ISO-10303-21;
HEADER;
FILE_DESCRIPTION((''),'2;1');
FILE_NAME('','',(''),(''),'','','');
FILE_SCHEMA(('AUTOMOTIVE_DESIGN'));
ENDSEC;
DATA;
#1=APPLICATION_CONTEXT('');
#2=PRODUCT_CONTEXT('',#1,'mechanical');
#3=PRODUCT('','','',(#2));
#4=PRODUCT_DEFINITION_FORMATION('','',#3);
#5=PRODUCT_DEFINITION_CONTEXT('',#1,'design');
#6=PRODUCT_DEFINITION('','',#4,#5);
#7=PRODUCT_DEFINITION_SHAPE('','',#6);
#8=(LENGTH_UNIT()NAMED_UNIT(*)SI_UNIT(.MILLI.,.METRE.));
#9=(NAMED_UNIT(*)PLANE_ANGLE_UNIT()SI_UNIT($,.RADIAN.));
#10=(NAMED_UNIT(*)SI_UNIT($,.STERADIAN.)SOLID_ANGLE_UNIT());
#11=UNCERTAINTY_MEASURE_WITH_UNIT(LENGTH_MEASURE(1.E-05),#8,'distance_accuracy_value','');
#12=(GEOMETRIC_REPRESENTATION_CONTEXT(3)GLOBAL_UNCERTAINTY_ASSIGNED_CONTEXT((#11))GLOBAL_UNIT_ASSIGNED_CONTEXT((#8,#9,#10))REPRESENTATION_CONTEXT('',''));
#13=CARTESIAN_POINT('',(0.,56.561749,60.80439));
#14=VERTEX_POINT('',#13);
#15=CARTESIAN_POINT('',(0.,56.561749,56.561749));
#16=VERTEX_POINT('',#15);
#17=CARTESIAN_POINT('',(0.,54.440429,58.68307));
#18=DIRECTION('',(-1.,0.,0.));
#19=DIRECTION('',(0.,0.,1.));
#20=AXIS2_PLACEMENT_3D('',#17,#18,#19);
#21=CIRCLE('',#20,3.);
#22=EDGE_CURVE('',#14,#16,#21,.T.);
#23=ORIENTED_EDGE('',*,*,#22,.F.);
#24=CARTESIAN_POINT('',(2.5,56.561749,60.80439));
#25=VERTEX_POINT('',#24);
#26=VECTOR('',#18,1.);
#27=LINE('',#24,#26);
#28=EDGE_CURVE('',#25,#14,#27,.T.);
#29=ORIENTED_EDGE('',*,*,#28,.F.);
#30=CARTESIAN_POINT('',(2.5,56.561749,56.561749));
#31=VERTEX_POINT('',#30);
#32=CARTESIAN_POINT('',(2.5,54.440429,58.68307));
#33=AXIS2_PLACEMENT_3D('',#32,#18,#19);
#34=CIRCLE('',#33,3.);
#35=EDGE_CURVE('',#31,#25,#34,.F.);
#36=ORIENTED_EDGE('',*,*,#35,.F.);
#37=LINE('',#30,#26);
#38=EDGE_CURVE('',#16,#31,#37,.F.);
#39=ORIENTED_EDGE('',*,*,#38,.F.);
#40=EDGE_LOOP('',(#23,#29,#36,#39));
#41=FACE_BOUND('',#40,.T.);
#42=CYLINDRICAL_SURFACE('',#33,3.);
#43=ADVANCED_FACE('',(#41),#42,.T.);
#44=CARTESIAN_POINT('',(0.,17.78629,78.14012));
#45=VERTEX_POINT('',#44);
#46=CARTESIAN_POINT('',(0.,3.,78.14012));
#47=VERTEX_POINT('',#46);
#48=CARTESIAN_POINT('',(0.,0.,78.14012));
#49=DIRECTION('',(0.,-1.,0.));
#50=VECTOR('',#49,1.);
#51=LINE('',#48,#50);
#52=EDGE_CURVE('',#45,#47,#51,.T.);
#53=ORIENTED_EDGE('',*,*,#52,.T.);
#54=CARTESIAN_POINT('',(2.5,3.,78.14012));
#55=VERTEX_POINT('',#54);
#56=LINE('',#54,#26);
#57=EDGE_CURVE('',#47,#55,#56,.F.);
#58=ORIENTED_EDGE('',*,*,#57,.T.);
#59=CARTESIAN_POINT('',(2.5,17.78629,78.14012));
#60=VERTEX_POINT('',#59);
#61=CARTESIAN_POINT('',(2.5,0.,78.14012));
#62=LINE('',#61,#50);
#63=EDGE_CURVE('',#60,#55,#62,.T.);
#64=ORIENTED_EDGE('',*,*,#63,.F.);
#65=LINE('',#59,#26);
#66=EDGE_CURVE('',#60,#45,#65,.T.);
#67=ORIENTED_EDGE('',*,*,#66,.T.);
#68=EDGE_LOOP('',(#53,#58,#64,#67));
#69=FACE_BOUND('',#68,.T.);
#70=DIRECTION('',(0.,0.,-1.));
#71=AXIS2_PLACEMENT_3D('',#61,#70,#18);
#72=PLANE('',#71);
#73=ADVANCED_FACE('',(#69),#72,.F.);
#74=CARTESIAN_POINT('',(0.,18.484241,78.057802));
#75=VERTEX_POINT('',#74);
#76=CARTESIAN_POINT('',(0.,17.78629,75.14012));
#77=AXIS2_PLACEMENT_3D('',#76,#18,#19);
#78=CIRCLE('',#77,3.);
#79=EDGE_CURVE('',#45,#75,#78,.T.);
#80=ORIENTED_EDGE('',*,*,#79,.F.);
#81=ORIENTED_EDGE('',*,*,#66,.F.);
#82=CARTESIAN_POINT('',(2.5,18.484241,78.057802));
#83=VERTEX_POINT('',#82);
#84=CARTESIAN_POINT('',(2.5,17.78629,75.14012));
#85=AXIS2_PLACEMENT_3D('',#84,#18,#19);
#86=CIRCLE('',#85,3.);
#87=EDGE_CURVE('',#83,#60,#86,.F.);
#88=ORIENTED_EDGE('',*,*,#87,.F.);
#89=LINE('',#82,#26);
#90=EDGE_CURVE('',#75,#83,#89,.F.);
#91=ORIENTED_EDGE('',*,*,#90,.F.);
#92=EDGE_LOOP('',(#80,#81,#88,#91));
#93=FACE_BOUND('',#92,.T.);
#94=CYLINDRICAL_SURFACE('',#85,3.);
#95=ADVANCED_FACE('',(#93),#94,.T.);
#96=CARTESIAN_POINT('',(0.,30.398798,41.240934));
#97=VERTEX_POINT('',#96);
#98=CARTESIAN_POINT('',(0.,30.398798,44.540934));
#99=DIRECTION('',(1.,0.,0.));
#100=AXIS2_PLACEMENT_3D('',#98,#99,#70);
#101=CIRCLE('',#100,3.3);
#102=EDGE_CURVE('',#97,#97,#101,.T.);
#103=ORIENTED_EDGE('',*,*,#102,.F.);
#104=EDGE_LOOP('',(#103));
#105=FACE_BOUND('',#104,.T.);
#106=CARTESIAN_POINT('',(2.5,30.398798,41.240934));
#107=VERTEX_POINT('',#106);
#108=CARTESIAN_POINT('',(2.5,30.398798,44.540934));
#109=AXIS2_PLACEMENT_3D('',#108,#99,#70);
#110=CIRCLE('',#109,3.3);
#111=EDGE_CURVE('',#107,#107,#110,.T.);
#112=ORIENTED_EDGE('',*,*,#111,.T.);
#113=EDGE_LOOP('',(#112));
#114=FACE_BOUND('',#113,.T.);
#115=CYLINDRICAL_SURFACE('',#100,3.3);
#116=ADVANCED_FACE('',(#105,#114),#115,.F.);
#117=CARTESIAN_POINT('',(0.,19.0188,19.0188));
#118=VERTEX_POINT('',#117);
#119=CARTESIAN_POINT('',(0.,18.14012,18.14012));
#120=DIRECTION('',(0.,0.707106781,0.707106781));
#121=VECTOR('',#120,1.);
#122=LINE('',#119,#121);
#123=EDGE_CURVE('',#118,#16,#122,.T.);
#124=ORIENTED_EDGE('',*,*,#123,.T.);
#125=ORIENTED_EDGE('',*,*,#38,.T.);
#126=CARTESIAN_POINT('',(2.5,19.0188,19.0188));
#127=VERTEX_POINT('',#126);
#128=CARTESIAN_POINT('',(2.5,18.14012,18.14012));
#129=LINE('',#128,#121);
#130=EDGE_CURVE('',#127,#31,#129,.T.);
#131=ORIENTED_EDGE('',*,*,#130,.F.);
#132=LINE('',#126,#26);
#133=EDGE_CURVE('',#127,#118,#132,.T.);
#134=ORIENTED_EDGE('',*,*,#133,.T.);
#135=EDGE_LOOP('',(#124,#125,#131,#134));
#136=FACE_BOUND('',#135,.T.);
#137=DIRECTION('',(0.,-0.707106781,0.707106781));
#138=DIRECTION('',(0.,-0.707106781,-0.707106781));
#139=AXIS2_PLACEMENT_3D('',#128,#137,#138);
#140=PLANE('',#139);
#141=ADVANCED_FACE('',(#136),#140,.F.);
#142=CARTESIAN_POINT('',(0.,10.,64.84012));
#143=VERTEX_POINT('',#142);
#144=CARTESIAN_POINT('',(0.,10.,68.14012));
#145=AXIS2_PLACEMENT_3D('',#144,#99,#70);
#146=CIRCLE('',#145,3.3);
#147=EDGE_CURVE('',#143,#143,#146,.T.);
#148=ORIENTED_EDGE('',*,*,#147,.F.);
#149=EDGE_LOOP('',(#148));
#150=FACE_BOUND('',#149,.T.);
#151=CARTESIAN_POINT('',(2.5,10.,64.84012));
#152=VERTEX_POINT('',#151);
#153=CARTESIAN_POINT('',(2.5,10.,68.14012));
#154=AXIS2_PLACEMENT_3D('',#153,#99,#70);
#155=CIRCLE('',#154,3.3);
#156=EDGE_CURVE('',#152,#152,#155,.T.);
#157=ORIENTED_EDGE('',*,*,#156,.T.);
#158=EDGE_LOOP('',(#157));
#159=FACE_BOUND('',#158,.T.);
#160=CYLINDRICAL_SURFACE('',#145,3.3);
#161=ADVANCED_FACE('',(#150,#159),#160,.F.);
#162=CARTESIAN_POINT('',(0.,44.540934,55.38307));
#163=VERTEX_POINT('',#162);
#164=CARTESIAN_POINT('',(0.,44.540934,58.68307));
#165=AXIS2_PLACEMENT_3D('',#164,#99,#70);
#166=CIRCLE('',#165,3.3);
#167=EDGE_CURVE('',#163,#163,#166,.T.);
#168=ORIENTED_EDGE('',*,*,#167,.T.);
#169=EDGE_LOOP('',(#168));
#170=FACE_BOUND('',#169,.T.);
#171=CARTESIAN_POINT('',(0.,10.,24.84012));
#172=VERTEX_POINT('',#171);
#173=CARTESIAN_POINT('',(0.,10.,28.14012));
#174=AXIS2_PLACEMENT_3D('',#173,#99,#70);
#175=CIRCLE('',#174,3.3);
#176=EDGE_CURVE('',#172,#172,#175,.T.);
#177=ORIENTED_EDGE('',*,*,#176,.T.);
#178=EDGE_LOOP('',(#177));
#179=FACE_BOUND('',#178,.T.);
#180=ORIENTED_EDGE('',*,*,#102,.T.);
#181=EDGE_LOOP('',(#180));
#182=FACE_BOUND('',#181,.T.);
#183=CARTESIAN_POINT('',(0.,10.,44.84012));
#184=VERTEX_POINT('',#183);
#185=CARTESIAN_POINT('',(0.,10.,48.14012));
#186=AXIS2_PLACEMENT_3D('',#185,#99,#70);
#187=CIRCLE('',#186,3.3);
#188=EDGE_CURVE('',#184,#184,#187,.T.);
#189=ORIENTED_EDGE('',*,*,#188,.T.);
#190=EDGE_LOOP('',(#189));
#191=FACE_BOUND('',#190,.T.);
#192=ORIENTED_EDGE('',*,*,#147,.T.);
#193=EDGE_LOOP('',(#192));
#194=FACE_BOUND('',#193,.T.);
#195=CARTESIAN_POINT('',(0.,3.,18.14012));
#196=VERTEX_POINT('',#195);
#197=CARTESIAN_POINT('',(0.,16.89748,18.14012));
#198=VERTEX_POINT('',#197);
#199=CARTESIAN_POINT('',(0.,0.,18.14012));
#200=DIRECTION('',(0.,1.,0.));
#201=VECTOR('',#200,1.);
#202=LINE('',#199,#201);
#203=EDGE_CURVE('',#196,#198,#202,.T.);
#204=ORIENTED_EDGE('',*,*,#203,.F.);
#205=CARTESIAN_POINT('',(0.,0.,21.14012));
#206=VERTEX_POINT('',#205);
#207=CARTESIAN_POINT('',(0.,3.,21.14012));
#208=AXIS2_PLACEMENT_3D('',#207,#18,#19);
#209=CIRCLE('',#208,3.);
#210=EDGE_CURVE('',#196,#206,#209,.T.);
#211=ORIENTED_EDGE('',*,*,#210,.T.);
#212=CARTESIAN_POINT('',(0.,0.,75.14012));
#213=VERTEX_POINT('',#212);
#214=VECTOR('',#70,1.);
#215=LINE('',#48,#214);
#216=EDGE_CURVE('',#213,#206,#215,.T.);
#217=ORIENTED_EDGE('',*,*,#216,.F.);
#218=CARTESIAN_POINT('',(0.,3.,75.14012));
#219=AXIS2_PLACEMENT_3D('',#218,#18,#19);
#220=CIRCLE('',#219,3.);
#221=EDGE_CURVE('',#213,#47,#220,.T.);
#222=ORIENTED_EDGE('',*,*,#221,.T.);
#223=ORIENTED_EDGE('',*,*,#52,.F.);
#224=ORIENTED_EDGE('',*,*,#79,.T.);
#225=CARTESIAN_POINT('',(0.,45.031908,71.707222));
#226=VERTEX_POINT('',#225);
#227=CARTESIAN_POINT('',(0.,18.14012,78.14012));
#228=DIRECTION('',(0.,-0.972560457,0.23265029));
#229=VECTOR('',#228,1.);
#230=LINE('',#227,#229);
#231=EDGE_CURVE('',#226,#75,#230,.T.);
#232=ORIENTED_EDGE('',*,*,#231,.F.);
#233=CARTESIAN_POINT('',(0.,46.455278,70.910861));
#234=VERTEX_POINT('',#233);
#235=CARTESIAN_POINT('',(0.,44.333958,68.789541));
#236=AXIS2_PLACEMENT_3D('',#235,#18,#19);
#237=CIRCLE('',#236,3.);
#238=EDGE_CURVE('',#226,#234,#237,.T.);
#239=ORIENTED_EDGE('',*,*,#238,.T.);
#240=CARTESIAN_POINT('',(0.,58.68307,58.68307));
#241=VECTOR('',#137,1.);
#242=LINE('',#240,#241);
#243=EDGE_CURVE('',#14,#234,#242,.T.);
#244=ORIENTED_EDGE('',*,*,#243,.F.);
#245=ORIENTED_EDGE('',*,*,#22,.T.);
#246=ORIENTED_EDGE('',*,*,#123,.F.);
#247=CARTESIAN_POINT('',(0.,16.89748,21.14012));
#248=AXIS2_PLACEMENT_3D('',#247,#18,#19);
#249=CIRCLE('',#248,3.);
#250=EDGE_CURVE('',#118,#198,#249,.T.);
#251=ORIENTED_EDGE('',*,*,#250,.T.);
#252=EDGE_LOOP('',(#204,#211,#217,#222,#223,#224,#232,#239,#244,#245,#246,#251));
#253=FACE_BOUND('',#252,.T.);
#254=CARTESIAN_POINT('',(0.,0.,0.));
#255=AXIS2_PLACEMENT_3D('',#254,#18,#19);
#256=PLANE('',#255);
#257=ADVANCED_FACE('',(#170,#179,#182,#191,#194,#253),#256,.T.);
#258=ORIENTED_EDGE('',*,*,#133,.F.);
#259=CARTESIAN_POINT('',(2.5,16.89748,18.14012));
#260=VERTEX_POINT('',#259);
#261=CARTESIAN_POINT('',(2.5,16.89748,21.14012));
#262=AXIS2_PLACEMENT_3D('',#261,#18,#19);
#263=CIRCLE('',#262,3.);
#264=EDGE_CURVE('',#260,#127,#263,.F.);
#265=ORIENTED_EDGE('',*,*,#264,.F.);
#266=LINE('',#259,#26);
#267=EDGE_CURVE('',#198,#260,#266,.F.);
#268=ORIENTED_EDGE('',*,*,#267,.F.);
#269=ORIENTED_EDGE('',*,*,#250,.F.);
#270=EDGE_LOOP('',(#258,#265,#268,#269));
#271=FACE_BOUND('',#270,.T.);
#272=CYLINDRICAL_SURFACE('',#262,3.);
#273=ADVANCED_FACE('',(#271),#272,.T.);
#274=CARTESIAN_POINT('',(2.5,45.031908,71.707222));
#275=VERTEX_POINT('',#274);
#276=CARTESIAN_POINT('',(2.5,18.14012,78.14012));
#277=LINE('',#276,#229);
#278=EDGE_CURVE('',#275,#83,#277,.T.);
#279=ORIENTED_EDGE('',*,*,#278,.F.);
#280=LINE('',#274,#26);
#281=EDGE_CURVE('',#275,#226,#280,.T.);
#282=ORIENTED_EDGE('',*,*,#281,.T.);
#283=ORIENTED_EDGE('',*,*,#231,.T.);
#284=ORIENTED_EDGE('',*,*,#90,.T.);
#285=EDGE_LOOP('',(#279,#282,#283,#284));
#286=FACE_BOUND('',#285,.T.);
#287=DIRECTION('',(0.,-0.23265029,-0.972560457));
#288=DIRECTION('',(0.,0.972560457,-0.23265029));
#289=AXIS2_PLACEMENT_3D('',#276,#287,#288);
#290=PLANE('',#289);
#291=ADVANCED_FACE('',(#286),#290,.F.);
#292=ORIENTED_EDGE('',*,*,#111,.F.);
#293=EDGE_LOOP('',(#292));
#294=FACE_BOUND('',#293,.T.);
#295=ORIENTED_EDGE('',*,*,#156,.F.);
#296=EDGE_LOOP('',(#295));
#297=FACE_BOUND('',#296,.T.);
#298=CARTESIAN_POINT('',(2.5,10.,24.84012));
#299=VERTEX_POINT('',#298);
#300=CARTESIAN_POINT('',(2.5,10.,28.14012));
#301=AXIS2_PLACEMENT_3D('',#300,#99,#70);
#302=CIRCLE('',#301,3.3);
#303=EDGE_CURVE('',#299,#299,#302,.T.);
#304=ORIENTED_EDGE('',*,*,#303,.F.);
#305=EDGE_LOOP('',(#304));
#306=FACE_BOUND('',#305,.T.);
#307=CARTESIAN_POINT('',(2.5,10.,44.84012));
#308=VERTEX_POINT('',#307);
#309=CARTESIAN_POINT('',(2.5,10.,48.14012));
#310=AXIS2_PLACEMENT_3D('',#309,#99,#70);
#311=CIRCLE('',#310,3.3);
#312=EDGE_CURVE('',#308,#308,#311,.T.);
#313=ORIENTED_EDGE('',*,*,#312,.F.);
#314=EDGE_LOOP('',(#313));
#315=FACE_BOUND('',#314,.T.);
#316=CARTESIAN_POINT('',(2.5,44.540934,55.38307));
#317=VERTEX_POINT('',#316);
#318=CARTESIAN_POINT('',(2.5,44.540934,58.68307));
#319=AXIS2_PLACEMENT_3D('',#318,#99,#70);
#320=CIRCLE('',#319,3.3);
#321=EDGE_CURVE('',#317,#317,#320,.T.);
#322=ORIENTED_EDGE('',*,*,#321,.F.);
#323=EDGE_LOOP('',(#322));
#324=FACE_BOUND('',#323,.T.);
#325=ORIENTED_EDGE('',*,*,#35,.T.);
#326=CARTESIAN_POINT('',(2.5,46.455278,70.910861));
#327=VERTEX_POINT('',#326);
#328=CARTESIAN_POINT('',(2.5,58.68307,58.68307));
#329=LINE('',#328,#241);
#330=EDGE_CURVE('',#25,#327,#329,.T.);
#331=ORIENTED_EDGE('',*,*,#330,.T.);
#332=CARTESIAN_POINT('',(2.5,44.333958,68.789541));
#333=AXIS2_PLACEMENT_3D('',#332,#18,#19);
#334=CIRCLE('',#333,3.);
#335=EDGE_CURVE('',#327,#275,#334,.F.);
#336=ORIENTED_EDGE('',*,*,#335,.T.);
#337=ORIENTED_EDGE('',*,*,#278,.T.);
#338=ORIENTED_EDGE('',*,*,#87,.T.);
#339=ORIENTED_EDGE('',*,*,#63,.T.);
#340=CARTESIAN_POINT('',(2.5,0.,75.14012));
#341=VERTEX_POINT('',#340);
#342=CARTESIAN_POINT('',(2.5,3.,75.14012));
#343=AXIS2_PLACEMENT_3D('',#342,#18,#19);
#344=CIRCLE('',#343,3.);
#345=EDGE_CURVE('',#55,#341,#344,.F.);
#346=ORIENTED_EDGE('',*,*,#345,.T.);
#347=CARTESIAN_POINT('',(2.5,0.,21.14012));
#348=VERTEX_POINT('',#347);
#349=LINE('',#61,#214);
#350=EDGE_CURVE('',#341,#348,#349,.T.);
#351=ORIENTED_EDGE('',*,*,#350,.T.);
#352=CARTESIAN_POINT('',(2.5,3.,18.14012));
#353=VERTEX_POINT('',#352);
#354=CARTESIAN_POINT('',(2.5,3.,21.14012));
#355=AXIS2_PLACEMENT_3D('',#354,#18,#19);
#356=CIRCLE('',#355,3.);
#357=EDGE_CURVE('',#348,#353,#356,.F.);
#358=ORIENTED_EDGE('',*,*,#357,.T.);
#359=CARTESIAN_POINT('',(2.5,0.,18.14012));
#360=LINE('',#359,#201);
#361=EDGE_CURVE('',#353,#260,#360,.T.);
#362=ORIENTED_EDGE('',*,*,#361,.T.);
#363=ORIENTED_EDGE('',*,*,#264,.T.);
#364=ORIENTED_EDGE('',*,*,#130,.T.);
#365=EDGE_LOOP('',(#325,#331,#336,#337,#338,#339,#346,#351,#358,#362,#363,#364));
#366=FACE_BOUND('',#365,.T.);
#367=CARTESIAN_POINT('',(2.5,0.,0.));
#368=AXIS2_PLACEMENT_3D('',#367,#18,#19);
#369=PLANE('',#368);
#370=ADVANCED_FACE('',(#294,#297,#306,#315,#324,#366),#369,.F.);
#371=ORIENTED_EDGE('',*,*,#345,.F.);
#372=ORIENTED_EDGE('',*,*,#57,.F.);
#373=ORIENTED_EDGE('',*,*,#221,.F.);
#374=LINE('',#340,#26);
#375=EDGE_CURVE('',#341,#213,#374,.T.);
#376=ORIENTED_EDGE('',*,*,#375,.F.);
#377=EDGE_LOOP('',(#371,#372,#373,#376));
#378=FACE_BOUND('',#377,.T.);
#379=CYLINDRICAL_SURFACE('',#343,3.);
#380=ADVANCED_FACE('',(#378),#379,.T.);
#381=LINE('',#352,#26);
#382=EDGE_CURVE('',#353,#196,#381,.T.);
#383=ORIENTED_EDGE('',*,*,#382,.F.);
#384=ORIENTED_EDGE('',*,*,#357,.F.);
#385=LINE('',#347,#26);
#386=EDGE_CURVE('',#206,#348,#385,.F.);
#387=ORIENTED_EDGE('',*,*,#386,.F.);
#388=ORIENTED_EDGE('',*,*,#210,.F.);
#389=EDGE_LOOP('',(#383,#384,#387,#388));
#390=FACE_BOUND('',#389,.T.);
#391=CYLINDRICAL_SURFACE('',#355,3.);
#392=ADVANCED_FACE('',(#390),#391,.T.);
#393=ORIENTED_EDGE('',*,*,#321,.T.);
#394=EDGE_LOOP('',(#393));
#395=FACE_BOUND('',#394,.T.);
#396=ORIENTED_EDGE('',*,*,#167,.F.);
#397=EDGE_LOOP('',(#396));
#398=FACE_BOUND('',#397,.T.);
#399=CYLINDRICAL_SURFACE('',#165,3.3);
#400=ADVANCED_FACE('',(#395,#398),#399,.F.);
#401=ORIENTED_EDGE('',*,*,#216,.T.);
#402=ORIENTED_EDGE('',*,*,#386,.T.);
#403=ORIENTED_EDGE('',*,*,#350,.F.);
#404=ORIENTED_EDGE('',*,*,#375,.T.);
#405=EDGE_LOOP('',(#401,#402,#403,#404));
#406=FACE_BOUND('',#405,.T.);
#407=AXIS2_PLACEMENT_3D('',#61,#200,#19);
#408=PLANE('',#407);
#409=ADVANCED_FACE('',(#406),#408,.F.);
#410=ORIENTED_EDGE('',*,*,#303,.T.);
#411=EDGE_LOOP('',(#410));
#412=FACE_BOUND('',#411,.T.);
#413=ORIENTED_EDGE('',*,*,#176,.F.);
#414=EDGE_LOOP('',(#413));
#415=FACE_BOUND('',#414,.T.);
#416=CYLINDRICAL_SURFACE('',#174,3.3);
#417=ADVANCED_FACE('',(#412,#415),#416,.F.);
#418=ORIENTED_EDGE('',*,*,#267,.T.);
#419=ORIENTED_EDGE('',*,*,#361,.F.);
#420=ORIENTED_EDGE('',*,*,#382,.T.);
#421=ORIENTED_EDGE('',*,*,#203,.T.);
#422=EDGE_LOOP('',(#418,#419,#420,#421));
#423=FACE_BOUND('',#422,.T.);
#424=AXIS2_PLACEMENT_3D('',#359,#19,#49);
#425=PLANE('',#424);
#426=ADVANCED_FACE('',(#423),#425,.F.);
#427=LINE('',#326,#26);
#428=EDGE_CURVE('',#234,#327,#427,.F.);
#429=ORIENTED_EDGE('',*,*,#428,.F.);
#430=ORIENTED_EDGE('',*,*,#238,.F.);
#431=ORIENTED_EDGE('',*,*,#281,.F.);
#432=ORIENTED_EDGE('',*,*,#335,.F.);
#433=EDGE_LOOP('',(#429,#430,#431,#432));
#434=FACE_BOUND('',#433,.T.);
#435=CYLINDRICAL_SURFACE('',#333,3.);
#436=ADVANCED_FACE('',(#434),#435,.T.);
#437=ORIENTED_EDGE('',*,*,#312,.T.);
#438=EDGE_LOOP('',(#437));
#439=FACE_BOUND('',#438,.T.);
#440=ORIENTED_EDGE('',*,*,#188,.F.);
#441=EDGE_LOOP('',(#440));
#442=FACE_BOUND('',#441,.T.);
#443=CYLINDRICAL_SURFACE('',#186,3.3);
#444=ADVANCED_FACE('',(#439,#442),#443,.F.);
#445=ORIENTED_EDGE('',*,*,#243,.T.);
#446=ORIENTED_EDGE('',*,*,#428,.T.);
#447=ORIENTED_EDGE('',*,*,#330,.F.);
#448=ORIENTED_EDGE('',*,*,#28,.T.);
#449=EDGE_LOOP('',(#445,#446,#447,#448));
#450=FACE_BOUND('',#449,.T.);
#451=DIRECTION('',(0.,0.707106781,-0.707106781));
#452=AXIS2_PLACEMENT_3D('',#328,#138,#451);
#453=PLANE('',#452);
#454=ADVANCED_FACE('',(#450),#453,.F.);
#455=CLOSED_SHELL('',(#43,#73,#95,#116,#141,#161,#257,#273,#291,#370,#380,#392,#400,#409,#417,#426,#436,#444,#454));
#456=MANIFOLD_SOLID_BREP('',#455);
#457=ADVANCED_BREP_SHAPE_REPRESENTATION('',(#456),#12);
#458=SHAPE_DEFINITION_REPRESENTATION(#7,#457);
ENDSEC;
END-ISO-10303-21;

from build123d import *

# Parameters (mm, degrees)
BOSS_EXTRUDE1_DEPTH = 2.5
SKETCH2_R           = 3.3
CUT_EXTRUDE1_DEPTH  = 98.753931239
LPATTERN1_COUNT     = 3
LPATTERN1_PITCH     = 20
SKETCH2_4_R         = 3.3
CUT_EXTRUDE2_DEPTH  = 98.753931239
LPATTERN2_COUNT     = 2
LPATTERN2_PITCH     = 20
FILLET1_R           = 3


with BuildPart() as part:
    # Sketch1 → Boss-Extrude1 (new body)
    with BuildSketch(Plane(origin=(0, 0, 0), x_dir=(0, 0, -1), z_dir=(1, 0, 0))):
        Polygon((-78.140120378, 0), (-18.140120378, 0), (-18.140120378, 18.140120378), (-58.68306962, 58.68306962), (-71.510071751, 45.856067489), (-78.140120378, 18.140120378), align=None)
    extrude(amount=BOSS_EXTRUDE1_DEPTH)

    # Sketch2 → Cut-Extrude1 (cut, through all)
    with BuildSketch(Plane(origin=(2.5, 0, 0), x_dir=(0, 0, -1), z_dir=(1, 0, 0))):
        with Locations((-28.140120378, 10)):
            Circle(SKETCH2_R)
    cut_extrude1 = extrude(amount=-CUT_EXTRUDE1_DEPTH, mode=Mode.SUBTRACT)

    # LPattern1: Cut-Extrude1 ×3
    with Locations(*[(0, 0, i * LPATTERN1_PITCH) for i in range(1, LPATTERN1_COUNT)]):
        add(cut_extrude1, mode=Mode.SUBTRACT)

    # Sketch2<4> → Cut-Extrude2 (cut, through all)
    with BuildSketch(Plane(origin=(2.5, 0, 0), x_dir=(0, 0, -1), z_dir=(1, 0, 0))):
        with Locations((-58.68306962, 44.540933996)):
            Circle(SKETCH2_4_R)
    cut_extrude2 = extrude(amount=-CUT_EXTRUDE2_DEPTH, mode=Mode.SUBTRACT)

    # LPattern2: Cut-Extrude2 ×2
    with Locations(*[Vector(0, -0.7071067811865476, -0.7071067811865476) * (i * LPATTERN2_PITCH) for i in range(1, LPATTERN2_COUNT)]):
        add(cut_extrude2, mode=Mode.SUBTRACT)

    # Fillet1
    fillet1_edges = [part.edges().sort_by_distance(p)[0] for p in [
        (1.25, 0, 18.140120378),
        (1.25, 18.140120378, 18.140120378),
        (1.25, 58.68306962, 58.68306962),
        (1.25, 0, 78.140120378),
        (1.25, 18.140120378, 78.140120378),
        (1.25, 45.856067489, 71.510071751),
    ]]
    fillet(fillet1_edges, radius=FILLET1_R)


solid = part.part
